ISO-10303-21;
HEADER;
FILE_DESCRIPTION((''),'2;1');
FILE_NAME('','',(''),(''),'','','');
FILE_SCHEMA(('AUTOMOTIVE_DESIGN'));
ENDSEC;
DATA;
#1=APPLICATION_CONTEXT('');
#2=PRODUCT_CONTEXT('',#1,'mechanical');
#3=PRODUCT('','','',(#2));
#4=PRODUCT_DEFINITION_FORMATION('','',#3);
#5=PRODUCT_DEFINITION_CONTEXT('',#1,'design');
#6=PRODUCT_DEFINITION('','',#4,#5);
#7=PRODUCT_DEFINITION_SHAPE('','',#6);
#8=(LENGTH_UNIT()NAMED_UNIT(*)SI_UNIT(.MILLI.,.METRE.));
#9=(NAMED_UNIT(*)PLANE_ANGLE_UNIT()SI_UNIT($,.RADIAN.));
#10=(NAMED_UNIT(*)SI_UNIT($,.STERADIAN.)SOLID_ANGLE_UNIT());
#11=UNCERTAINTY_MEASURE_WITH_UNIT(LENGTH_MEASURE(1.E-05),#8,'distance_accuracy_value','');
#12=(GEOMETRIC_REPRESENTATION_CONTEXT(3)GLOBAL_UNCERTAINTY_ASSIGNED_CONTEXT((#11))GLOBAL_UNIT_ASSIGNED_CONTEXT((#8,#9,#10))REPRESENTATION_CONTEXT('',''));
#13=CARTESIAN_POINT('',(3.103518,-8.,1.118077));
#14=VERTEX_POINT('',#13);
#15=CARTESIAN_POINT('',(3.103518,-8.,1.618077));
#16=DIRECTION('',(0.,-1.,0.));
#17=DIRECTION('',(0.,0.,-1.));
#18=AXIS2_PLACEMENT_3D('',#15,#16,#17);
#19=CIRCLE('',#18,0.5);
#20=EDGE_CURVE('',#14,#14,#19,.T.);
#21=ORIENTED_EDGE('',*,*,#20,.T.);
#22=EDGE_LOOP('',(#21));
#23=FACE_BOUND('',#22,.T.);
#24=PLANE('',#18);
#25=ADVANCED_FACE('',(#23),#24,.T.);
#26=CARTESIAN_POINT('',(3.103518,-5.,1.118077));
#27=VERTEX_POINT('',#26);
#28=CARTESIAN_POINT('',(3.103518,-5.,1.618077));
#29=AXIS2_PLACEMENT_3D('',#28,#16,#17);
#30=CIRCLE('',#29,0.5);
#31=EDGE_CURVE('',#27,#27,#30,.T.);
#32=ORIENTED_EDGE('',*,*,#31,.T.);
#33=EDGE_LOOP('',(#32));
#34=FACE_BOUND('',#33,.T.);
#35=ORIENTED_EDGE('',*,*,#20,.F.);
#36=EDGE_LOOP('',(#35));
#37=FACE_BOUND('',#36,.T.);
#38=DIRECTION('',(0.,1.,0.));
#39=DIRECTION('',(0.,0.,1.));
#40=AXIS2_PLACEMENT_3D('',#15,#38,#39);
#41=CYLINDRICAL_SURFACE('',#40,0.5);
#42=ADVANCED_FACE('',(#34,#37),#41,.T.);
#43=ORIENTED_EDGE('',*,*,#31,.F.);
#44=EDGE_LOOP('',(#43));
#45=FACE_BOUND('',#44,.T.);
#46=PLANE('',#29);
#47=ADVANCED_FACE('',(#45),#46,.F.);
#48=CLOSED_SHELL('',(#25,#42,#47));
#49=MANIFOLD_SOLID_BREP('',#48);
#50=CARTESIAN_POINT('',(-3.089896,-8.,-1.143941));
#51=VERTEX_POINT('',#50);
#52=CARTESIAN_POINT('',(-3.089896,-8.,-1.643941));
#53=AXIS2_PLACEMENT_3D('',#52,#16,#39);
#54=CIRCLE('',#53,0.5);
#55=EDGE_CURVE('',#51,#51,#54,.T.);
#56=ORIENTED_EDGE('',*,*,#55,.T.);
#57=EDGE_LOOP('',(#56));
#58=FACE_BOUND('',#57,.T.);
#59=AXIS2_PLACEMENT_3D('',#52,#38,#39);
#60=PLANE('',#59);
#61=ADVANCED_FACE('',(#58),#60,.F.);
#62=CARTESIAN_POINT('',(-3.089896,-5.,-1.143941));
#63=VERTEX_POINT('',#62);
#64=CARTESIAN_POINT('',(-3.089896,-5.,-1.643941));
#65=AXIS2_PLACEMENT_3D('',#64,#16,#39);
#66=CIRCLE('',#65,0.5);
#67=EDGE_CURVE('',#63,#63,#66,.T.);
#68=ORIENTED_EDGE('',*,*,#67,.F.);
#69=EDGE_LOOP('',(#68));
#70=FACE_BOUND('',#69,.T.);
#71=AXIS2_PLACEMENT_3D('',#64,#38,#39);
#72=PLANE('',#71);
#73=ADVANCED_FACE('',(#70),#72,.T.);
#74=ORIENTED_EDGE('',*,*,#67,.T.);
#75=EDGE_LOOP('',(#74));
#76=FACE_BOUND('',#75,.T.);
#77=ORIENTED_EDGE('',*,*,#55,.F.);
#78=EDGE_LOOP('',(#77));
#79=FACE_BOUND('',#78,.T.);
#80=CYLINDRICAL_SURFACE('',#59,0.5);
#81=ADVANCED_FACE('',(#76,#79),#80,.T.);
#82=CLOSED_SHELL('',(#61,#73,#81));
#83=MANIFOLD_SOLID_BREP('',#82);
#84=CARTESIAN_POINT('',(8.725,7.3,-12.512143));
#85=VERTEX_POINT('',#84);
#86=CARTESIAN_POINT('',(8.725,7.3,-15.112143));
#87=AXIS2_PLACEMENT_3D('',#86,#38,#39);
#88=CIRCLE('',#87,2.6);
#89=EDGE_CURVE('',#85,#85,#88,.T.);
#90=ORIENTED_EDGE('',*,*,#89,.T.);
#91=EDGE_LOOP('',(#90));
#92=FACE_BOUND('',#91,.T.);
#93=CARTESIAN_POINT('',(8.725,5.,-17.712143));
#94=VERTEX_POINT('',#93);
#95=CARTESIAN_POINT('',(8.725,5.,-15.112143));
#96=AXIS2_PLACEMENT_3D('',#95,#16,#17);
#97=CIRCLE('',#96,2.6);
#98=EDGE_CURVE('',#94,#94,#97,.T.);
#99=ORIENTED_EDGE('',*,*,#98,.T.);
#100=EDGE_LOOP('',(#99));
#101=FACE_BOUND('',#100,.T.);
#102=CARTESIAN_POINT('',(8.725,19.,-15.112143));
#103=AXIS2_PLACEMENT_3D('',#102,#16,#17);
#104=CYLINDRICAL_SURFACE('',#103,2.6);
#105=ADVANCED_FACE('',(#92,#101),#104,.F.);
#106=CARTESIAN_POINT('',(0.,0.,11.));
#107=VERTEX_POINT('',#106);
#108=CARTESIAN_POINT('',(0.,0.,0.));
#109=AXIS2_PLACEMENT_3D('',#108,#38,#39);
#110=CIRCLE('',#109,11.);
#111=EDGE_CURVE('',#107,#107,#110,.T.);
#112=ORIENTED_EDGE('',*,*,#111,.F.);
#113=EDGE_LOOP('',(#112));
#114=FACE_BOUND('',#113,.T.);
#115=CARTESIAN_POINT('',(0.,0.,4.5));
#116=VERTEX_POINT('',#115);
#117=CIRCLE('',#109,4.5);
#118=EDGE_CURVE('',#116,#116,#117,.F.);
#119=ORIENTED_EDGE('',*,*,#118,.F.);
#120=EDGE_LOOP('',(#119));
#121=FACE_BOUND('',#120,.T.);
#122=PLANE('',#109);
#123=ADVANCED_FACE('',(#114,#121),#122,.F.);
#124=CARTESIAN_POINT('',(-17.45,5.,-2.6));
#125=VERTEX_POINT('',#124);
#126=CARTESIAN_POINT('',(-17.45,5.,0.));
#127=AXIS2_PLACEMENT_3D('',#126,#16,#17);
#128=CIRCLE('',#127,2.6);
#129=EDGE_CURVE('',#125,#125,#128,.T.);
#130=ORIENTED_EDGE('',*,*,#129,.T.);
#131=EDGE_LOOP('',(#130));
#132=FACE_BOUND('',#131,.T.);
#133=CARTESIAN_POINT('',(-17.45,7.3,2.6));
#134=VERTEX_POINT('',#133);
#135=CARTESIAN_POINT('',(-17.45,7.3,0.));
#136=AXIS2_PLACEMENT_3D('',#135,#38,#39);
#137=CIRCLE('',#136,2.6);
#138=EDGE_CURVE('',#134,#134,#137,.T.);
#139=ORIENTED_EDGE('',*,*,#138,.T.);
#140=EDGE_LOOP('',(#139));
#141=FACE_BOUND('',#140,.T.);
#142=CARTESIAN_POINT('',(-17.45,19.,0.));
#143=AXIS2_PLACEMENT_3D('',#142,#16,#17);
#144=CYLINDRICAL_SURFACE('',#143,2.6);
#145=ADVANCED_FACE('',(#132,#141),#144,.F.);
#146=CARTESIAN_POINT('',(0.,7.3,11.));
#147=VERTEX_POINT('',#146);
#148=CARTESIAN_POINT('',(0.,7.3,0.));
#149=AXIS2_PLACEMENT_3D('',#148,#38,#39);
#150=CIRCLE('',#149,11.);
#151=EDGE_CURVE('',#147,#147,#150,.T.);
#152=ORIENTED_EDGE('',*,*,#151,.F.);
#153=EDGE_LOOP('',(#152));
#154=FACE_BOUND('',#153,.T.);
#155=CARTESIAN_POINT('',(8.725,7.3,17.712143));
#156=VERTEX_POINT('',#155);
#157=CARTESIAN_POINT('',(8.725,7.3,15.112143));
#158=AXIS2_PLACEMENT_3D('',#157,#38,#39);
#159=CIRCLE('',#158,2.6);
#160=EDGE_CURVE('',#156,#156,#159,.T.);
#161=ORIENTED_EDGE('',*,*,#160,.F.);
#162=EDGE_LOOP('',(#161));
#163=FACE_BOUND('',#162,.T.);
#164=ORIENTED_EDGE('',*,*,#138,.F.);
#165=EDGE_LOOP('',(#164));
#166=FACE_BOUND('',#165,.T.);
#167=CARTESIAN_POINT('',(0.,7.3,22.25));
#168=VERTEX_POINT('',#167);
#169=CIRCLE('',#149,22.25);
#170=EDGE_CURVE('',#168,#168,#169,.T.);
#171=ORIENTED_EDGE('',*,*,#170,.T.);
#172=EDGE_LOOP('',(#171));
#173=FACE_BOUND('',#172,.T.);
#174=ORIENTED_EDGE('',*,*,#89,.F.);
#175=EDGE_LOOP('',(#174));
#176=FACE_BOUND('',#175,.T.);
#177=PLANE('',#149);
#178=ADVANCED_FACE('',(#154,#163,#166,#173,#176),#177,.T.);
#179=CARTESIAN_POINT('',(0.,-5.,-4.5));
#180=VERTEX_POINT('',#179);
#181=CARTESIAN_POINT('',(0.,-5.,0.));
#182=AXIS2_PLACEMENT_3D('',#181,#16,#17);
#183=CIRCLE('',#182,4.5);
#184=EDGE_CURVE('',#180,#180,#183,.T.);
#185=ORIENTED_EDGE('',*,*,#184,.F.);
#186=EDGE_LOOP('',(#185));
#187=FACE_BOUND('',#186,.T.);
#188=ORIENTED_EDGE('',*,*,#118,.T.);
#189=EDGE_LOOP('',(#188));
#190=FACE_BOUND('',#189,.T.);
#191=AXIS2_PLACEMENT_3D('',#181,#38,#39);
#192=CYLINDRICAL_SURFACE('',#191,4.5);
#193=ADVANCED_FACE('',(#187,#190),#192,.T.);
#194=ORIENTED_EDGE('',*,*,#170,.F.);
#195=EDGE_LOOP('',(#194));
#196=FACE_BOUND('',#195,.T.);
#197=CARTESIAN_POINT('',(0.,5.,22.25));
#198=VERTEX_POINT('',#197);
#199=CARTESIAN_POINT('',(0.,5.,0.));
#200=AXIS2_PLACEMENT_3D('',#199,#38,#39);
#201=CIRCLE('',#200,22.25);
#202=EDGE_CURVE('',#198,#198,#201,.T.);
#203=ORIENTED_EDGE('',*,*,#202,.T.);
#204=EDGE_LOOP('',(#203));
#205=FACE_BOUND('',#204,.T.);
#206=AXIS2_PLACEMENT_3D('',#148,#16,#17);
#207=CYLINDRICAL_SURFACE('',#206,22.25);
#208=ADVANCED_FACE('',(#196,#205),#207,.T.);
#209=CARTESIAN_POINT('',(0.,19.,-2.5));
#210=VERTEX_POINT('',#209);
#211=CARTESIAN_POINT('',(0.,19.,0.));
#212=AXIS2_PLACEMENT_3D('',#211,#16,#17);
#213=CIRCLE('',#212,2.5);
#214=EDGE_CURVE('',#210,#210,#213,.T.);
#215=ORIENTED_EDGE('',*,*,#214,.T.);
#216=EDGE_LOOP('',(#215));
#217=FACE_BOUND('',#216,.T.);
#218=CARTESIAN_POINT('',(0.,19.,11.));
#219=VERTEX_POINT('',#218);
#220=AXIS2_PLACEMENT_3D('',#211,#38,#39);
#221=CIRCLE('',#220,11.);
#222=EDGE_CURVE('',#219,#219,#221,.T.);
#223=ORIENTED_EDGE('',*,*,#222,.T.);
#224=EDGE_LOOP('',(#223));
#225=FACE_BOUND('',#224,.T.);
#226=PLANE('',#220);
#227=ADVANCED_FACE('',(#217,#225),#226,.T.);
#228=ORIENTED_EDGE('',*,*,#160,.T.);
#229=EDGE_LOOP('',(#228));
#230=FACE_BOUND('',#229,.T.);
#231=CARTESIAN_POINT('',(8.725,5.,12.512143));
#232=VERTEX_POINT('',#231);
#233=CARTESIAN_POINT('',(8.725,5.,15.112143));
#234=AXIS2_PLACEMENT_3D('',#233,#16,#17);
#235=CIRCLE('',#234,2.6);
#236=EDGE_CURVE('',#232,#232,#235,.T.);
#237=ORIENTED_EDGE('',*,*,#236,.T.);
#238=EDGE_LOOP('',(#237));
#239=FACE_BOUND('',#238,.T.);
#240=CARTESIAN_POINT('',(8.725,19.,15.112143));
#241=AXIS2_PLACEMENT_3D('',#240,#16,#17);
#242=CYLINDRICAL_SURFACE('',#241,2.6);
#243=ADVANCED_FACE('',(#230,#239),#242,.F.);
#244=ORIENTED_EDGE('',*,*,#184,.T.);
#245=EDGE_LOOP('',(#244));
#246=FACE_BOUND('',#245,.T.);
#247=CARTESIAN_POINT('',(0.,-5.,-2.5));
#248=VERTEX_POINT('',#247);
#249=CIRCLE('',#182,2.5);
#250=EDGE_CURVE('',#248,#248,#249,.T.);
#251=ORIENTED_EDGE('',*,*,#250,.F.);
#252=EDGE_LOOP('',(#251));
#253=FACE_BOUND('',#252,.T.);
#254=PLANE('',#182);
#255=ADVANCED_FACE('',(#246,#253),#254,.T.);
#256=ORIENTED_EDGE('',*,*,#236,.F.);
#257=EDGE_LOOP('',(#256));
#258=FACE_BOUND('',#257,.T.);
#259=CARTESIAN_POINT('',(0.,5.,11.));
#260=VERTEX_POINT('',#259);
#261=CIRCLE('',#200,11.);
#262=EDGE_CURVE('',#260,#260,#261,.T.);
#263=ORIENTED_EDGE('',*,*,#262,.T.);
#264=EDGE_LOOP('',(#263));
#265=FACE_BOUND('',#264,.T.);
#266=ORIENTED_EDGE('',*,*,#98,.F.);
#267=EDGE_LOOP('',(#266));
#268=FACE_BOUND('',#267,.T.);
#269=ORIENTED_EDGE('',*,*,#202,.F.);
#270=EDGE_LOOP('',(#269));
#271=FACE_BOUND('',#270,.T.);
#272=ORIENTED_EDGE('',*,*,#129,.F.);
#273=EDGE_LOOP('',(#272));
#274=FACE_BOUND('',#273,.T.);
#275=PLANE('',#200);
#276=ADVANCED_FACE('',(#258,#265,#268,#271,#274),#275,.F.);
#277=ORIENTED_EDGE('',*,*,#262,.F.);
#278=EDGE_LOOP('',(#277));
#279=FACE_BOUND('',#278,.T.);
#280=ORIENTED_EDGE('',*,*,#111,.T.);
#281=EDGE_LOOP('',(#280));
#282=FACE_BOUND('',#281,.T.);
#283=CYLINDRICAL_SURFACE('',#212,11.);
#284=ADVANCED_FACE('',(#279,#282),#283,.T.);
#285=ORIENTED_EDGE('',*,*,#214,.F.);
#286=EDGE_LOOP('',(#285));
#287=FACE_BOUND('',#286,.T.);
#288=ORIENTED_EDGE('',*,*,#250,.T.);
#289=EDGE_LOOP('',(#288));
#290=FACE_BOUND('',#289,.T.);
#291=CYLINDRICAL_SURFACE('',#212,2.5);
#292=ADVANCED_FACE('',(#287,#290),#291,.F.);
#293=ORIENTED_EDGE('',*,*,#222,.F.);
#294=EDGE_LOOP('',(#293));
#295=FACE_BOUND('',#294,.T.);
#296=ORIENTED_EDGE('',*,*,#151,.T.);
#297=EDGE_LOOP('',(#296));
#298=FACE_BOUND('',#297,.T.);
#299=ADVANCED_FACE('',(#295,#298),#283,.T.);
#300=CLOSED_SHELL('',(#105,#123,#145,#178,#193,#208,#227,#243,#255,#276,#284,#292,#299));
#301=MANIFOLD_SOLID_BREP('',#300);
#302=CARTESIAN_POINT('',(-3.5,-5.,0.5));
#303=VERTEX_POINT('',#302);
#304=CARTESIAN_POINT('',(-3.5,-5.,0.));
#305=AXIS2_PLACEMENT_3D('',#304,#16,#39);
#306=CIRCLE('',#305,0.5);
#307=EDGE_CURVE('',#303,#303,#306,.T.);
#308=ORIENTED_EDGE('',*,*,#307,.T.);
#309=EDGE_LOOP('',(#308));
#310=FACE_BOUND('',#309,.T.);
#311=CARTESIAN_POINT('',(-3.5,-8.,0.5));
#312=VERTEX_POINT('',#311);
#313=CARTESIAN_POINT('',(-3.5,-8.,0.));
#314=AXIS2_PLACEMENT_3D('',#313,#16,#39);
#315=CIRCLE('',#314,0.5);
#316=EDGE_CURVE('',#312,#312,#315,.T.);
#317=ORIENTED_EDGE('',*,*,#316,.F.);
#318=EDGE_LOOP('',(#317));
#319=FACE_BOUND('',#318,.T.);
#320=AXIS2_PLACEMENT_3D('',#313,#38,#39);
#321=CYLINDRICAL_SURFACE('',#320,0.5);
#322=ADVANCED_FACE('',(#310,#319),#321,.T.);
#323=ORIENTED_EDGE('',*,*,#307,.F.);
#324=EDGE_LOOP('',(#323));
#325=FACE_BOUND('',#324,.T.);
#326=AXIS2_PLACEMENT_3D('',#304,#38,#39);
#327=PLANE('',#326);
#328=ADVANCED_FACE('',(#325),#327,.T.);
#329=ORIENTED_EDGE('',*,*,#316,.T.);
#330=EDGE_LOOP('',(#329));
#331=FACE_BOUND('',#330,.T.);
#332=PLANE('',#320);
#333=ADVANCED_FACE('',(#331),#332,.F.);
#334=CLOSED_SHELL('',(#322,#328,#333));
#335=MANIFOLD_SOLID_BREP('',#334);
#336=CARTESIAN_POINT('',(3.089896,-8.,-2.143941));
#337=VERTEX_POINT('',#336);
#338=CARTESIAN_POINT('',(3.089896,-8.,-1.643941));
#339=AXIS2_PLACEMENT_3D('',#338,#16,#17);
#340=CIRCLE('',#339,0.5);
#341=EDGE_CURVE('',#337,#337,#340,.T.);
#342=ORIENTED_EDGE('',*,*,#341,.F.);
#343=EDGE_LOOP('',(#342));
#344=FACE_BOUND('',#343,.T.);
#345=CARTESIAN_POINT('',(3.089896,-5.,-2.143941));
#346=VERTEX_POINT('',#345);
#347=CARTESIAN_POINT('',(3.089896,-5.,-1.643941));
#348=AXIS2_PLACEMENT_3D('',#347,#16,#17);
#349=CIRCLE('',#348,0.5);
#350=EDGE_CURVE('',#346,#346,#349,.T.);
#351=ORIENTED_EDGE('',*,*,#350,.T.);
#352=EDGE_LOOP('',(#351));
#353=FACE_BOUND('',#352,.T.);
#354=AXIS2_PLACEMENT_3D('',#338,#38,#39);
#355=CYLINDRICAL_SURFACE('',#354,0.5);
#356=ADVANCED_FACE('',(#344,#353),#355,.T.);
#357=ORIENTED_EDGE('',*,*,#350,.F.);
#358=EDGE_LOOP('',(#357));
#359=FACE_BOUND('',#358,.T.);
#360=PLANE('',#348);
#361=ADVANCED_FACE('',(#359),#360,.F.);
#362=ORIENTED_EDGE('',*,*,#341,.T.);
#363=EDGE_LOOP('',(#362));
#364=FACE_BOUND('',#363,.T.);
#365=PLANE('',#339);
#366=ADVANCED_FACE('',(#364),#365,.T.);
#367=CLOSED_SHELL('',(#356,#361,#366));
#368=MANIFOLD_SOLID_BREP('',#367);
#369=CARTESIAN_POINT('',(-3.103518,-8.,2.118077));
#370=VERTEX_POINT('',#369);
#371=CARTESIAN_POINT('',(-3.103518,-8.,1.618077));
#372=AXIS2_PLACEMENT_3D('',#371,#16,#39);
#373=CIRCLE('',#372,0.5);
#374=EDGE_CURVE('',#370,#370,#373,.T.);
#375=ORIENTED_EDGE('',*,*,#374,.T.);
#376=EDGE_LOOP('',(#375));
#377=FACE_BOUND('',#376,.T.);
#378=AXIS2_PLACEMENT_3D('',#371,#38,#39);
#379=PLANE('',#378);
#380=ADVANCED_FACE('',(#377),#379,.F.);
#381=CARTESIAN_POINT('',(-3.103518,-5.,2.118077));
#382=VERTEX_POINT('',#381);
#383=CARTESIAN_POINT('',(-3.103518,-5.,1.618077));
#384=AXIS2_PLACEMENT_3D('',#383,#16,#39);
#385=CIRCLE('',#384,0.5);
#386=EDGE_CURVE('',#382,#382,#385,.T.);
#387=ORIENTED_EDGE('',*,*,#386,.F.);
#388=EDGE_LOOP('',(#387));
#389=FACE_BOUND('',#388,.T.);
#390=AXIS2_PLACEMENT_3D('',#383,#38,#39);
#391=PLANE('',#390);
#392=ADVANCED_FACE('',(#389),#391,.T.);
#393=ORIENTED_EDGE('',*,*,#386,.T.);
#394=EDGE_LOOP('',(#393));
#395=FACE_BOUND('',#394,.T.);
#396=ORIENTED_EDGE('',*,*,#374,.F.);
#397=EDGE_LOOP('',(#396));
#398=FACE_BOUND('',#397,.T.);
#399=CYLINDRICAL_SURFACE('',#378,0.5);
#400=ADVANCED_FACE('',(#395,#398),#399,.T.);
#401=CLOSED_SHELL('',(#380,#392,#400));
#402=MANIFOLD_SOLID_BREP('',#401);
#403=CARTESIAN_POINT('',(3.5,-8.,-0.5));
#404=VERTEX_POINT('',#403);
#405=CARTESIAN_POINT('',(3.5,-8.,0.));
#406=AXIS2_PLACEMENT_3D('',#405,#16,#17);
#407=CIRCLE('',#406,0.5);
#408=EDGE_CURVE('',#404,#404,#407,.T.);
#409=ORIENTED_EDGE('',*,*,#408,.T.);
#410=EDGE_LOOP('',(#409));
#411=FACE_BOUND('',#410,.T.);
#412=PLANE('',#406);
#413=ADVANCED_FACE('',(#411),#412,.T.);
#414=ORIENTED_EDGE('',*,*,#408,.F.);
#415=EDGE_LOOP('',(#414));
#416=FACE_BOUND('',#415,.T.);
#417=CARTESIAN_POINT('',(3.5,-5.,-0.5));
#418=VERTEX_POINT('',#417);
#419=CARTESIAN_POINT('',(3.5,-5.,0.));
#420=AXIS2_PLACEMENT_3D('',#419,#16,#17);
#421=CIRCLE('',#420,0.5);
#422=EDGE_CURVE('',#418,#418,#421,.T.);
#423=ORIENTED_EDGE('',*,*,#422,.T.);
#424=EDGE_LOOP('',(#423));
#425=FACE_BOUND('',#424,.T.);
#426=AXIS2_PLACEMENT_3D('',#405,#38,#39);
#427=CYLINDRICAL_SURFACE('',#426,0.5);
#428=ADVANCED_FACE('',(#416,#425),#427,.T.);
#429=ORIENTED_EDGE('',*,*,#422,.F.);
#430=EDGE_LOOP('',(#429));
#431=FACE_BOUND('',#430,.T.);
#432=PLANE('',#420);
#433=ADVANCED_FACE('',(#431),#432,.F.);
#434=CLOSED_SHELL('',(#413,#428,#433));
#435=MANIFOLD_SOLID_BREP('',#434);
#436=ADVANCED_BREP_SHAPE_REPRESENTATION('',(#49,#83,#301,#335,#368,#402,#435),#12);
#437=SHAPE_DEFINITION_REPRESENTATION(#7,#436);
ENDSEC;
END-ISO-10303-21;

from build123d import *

# Parameters (mm, degrees)
SKETCH1_R             = 11
BOSS_EXTRUDE1_DEPTH   = 19
SKETCH2_R             = 22.25
BOSS_EXTRUDE2_DEPTH   = 2.3
SKETCH4_R             = 2.5
CUT_EXTRUDE1_DEPTH    = 20
SKETCH5_R             = 2.6
CUT_EXTRUDE2_DEPTH    = 15
SKETCH6_R             = 4.5
SKETCH6_R_2           = 2.5
BOSS_EXTRUDE3_DEPTH   = 5
SKETCH7_R             = 0.5
BOSS_EXTRUDE4_DEPTH   = 3
BOSS_EXTRUDE4_2_DEPTH = 3
BOSS_EXTRUDE4_3_DEPTH = 3
BOSS_EXTRUDE4_4_DEPTH = 3
BOSS_EXTRUDE4_5_DEPTH = 3
BOSS_EXTRUDE4_6_DEPTH = 3


with BuildPart() as part:
    # Sketch1 → Boss-Extrude1 (new body)
    with BuildSketch(Plane(origin=(0, 0, 0), x_dir=(1, 0, 0), z_dir=(0, 1, 0))):
        Circle(SKETCH1_R)
    extrude(amount=BOSS_EXTRUDE1_DEPTH)

    # Sketch2 → Boss-Extrude2 (add)
    with BuildSketch(Plane(origin=(0, 5, 0), x_dir=(1, 0, 0), z_dir=(0, 1, 0))):
        Circle(SKETCH2_R)
    extrude(amount=BOSS_EXTRUDE2_DEPTH)

    # Sketch4 → Cut-Extrude1 (cut, through all)
    with BuildSketch(Plane.XZ):
        Circle(SKETCH4_R)
    extrude(amount=-CUT_EXTRUDE1_DEPTH, mode=Mode.SUBTRACT)

    # Sketch5 → Cut-Extrude2 (cut, through all)
    with BuildSketch(Plane.XZ.offset(-5)):
        with Locations((-17.45, 0)):
            Circle(SKETCH5_R)
        with Locations((8.725, 15.112143296)):
            Circle(SKETCH5_R)
        with Locations((8.725, -15.112143296)):
            Circle(SKETCH5_R)
    extrude(amount=-CUT_EXTRUDE2_DEPTH, mode=Mode.SUBTRACT)

    # Sketch6 → Boss-Extrude3 (add)
    with BuildSketch(Plane.XZ):
        Circle(SKETCH6_R)
        Circle(SKETCH6_R_2, mode=Mode.SUBTRACT)
    extrude(amount=BOSS_EXTRUDE3_DEPTH)


with BuildPart() as body_2:
    # Sketch7 → Boss-Extrude4 (new body)
    with BuildSketch(Plane.XZ.offset(5)):
        with Locations((3.103518322, 1.618077263)):
            Circle(SKETCH7_R)
    extrude(amount=BOSS_EXTRUDE4_DEPTH)


with BuildPart() as body_3:
    # Sketch7 → Boss-Extrude4 2 (new body)
    with BuildSketch(Plane.XZ.offset(5)):
        with Locations((3.5, 0)):
            Circle(SKETCH7_R)
    extrude(amount=BOSS_EXTRUDE4_2_DEPTH)


with BuildPart() as body_4:
    # Sketch7 → Boss-Extrude4 3 (new body)
    with BuildSketch(Plane.XZ.offset(5)):
        with Locations((3.089895924, -1.643941355)):
            Circle(SKETCH7_R)
    extrude(amount=BOSS_EXTRUDE4_3_DEPTH)


with BuildPart() as body_5:
    # Sketch7 → Boss-Extrude4 4 (new body)
    with BuildSketch(Plane.XZ.offset(5)):
        with Locations((-3.089895924, -1.643941355)):
            Circle(SKETCH7_R)
    extrude(amount=BOSS_EXTRUDE4_4_DEPTH)


with BuildPart() as body_6:
    # Sketch7 → Boss-Extrude4 5 (new body)
    with BuildSketch(Plane.XZ.offset(5)):
        with Locations((-3.5, 0)):
            Circle(SKETCH7_R)
    extrude(amount=BOSS_EXTRUDE4_5_DEPTH)


with BuildPart() as body_7:
    # Sketch7 → Boss-Extrude4 6 (new body)
    with BuildSketch(Plane.XZ.offset(5)):
        with Locations((-3.103518322, 1.618077263)):
            Circle(SKETCH7_R)
    extrude(amount=BOSS_EXTRUDE4_6_DEPTH)


solid = Compound([part.part, body_2.part, body_3.part, body_4.part, body_5.part, body_6.part, body_7.part])
